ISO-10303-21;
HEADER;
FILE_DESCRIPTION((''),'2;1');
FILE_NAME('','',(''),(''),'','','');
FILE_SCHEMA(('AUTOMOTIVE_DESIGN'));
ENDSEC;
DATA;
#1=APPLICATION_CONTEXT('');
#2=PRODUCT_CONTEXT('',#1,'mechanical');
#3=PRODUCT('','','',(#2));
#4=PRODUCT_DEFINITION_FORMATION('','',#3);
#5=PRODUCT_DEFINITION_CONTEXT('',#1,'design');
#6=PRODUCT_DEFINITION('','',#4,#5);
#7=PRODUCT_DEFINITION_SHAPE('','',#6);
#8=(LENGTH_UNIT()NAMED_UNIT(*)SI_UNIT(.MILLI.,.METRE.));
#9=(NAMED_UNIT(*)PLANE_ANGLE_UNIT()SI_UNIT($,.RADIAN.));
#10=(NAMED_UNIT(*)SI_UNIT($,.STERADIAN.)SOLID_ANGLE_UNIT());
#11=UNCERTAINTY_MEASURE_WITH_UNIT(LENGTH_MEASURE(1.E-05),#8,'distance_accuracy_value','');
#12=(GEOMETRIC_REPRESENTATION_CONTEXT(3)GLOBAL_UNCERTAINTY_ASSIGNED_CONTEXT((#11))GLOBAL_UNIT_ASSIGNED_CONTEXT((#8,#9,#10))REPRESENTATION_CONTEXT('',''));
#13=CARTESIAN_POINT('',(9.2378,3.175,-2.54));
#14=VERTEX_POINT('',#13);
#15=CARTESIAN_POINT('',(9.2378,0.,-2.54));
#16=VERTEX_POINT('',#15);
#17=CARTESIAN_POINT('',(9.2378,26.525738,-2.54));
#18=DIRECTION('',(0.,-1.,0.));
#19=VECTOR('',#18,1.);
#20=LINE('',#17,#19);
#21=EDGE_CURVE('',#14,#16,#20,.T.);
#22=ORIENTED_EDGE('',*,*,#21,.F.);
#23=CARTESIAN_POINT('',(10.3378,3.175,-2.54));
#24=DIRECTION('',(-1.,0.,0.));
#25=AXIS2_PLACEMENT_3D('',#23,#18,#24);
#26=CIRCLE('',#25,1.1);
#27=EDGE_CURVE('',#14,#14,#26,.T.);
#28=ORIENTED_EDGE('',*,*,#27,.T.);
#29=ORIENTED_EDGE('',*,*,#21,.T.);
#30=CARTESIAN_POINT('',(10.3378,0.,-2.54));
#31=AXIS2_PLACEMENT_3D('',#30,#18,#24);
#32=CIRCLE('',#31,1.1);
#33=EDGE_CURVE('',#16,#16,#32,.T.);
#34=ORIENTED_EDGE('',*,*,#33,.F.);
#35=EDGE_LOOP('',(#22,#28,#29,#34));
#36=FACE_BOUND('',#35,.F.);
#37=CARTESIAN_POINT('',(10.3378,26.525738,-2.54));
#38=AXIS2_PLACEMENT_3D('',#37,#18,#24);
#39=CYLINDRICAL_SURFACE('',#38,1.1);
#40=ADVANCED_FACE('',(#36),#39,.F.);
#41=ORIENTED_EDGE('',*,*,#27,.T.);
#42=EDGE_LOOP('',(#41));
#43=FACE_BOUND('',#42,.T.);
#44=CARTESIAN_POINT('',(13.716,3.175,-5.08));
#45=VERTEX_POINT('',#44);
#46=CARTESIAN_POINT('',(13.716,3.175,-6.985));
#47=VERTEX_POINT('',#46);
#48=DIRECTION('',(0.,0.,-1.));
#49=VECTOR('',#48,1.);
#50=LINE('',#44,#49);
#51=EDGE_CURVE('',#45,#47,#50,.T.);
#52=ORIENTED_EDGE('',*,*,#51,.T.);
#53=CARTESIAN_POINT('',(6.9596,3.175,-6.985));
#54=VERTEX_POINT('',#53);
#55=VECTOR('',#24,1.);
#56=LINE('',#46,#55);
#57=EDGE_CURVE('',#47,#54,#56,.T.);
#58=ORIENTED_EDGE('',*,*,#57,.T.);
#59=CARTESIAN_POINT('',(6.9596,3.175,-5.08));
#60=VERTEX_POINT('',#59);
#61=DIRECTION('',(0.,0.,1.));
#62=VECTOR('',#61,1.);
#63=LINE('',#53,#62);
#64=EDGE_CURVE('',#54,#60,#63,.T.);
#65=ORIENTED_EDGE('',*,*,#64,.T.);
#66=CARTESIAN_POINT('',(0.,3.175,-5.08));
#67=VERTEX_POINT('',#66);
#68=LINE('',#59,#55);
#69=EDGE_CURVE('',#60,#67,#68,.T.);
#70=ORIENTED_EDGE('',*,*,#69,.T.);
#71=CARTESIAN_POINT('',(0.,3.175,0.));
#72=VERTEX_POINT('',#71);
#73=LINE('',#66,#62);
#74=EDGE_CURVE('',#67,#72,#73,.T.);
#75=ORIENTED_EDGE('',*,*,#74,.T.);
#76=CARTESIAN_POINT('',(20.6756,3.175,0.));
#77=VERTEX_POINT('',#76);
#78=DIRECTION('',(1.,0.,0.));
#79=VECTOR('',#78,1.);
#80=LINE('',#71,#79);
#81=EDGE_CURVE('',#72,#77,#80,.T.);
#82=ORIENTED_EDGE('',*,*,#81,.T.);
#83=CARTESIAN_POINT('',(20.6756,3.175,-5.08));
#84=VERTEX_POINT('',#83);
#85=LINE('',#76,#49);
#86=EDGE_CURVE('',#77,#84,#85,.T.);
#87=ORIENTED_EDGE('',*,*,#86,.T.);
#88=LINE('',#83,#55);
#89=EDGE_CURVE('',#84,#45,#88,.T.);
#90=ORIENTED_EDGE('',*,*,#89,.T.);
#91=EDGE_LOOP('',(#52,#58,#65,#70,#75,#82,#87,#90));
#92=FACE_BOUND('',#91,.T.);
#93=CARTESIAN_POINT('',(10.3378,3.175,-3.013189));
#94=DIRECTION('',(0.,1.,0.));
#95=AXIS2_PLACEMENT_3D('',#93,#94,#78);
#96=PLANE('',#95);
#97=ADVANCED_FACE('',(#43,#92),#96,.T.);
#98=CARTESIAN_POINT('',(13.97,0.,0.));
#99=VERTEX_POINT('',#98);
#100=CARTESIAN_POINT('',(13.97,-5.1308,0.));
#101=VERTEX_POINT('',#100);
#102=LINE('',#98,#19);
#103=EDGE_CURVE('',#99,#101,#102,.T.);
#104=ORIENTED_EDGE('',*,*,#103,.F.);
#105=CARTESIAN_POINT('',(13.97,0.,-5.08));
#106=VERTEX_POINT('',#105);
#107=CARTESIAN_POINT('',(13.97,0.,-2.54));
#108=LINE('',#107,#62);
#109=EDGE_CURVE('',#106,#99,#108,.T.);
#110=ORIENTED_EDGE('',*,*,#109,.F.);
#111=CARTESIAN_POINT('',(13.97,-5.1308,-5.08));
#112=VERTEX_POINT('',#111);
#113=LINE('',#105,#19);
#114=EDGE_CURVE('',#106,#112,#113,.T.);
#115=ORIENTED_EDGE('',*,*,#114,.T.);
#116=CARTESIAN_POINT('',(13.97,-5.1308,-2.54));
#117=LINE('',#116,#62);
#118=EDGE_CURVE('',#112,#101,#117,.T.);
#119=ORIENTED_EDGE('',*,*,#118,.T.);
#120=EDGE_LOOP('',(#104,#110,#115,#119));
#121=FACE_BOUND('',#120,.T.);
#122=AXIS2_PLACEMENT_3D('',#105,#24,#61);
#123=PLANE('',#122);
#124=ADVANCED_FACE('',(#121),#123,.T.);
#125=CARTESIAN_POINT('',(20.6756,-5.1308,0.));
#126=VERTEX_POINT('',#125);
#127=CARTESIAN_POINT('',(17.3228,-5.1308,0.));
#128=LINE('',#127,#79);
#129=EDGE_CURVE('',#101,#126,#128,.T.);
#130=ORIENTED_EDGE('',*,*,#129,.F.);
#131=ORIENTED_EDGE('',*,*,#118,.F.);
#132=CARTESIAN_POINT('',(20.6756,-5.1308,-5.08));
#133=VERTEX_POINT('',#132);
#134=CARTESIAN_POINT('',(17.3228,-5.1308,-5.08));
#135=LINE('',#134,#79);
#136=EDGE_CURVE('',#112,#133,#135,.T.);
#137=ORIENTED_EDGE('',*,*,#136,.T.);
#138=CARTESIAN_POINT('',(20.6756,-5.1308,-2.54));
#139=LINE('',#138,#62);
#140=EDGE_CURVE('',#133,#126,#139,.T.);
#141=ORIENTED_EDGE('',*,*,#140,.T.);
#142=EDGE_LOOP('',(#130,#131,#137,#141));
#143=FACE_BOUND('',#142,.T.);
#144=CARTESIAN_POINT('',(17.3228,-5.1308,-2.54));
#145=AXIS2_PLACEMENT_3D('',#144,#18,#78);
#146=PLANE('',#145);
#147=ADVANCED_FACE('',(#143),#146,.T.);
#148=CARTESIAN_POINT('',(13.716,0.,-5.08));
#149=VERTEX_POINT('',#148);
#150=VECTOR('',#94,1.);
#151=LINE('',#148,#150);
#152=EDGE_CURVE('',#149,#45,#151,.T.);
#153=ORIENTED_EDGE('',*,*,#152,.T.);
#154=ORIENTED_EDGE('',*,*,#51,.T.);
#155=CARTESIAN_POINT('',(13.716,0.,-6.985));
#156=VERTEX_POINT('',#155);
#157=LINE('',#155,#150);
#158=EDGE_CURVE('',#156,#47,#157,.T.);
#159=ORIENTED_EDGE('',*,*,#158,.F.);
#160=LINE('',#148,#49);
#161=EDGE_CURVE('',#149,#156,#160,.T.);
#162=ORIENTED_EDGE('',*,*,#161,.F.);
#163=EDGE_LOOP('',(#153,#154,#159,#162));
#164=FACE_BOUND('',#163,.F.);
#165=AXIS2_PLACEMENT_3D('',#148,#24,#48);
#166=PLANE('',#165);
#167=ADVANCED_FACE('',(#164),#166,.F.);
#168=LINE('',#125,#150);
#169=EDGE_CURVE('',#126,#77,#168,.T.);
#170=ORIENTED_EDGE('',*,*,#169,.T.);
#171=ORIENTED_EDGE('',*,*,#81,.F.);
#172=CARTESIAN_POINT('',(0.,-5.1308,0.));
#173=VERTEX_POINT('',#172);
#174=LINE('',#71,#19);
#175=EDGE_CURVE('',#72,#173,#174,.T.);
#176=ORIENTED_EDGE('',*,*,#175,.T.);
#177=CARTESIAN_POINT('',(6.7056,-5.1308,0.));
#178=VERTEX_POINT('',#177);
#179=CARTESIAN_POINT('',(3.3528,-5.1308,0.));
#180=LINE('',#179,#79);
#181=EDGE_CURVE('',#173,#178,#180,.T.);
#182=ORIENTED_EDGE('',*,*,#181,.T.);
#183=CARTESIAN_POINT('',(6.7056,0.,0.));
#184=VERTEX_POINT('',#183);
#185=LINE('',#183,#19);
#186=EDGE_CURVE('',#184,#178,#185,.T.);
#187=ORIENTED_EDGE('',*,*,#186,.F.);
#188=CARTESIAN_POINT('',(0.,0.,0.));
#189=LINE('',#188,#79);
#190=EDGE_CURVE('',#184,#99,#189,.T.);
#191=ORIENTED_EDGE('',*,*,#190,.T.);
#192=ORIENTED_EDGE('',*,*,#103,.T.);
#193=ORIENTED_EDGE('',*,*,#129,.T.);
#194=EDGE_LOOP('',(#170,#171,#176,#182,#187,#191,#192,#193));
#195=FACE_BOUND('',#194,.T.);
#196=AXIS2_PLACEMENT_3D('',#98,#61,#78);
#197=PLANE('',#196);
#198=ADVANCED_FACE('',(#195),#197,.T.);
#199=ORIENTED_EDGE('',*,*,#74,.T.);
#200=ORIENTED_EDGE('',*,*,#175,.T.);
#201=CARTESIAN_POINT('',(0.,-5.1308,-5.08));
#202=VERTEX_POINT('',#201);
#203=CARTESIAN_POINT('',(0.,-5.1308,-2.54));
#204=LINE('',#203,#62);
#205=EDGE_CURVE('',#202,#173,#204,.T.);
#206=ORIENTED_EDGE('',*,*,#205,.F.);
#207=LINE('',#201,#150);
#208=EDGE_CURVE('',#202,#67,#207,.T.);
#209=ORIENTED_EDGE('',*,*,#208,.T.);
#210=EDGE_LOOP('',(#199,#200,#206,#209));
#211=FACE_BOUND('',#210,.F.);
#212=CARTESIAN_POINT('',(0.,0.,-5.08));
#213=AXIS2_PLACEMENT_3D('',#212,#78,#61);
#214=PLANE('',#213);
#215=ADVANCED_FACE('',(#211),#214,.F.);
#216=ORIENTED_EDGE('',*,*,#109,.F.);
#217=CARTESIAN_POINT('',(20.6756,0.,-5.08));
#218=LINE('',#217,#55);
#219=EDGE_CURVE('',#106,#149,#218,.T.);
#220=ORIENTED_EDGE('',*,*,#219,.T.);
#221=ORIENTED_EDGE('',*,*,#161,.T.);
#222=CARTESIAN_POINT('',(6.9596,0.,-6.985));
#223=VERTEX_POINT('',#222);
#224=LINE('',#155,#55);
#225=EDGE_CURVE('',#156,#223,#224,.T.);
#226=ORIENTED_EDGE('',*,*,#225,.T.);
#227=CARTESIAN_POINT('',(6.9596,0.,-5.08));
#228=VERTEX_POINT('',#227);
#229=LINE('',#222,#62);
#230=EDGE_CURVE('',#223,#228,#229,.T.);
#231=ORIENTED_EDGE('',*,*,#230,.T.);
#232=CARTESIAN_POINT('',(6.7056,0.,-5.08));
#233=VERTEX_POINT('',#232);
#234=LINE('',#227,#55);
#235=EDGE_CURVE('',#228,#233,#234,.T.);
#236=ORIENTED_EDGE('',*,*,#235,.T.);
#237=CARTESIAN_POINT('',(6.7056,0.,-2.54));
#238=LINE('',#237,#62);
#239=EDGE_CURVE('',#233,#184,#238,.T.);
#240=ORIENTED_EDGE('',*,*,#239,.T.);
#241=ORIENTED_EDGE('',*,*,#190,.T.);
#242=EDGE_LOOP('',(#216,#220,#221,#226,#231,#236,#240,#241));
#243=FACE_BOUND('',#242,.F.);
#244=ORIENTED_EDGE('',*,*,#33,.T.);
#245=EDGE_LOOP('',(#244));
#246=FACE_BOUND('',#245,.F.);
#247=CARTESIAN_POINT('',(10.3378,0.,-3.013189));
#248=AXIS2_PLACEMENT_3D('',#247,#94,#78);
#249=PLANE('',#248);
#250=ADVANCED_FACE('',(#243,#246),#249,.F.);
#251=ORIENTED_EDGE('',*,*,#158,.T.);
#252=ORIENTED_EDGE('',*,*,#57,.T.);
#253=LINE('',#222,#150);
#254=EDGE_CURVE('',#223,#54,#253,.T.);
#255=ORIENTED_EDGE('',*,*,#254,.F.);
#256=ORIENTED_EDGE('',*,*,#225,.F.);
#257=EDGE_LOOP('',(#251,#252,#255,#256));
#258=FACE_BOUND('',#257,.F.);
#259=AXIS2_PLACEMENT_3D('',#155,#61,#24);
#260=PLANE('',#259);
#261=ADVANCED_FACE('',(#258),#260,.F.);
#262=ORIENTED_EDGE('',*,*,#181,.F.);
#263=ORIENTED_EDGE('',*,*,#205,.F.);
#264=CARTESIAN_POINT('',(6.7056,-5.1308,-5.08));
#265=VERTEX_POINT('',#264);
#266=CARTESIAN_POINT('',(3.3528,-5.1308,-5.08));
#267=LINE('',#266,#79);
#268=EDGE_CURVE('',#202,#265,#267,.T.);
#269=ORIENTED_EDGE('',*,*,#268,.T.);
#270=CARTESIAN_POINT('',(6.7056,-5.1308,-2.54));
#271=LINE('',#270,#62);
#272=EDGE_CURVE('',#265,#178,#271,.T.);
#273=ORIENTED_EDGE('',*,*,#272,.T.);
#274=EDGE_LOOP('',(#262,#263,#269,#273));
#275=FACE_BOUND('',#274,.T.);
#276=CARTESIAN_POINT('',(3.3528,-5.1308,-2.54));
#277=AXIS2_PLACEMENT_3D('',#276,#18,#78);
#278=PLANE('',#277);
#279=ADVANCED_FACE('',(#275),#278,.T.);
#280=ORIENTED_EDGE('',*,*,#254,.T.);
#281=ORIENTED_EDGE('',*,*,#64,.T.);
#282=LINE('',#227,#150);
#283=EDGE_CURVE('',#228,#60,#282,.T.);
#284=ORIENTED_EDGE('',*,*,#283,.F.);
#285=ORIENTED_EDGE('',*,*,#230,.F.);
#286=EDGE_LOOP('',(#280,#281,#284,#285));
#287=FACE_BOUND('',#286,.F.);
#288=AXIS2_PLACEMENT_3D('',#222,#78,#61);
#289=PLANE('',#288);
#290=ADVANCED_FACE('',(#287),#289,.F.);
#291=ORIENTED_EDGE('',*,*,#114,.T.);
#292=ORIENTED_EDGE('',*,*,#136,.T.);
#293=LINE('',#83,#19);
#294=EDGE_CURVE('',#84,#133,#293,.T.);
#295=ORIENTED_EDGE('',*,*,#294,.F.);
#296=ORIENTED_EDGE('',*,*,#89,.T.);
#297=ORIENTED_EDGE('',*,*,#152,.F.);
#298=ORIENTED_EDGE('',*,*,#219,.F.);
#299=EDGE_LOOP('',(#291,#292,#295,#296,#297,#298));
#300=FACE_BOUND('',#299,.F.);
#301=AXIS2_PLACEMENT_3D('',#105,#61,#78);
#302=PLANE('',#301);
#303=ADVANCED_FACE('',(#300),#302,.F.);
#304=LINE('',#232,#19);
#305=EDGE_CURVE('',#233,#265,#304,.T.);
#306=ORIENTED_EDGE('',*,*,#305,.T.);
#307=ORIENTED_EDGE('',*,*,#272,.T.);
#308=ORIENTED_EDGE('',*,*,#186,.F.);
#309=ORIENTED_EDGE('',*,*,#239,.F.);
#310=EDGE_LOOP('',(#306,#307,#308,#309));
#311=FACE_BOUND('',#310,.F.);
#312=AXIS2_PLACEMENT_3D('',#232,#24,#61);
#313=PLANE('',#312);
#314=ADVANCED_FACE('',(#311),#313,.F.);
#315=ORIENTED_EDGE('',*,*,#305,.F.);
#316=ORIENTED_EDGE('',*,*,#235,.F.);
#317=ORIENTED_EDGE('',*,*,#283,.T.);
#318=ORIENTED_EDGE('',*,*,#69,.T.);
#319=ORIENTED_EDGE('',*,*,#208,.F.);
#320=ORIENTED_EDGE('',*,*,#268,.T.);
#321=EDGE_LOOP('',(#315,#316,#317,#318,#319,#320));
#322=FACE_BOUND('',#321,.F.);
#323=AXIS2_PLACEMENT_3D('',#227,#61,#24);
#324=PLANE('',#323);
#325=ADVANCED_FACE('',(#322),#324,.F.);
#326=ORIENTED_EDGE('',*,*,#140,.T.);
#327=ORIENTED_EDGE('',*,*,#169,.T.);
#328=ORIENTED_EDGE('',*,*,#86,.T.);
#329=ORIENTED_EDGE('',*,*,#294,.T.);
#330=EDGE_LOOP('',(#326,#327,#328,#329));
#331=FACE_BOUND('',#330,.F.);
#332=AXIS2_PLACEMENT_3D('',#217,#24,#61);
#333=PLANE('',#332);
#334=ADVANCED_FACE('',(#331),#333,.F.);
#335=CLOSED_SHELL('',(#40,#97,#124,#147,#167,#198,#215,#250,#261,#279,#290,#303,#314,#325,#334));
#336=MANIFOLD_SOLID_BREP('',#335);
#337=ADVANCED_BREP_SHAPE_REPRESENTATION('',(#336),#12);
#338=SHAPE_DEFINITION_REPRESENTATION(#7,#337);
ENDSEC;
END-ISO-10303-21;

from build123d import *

# Parameters (mm, degrees)
BOSS_EXTRUDE1_DEPTH  = 3.175
SKETCH2_W            = 6.7056
SKETCH2_H            = 5.08
BOSS_EXTRUDE2_DEPTH  = 5.1308
M2_CLEARANCE_HOLE1_D = 2.2


with BuildPart() as part:
    # Sketch1 → Boss-Extrude1 (new body)
    with BuildSketch(Plane(origin=(0, 0, 0), x_dir=(1, 0, 0), z_dir=(0, 1, 0))):
        Polygon((0, 0), (20.6756, 0), (20.6756, 5.08), (13.716, 5.08), (13.716, 6.985), (6.9596, 6.985), (6.9596, 5.08), (0, 5.08), align=None)
    extrude(amount=BOSS_EXTRUDE1_DEPTH)

    # Sketch2 → Boss-Extrude2 (add)
    with BuildSketch(Plane.XZ):
        with Locations((17.3228, -2.54)):
            Rectangle(SKETCH2_W, SKETCH2_H)
        with Locations((3.3528, -2.54)):
            Rectangle(SKETCH2_W, SKETCH2_H)
    extrude(amount=BOSS_EXTRUDE2_DEPTH)

    # M2 Clearance Hole1 (through all)
    with Locations(Plane(origin=(0, 3.175, 0), x_dir=(1, 0, 0), z_dir=(0, 1, 0))):
        with Locations((10.3378, 2.54)):
            Hole(M2_CLEARANCE_HOLE1_D / 2)


solid = part.part
